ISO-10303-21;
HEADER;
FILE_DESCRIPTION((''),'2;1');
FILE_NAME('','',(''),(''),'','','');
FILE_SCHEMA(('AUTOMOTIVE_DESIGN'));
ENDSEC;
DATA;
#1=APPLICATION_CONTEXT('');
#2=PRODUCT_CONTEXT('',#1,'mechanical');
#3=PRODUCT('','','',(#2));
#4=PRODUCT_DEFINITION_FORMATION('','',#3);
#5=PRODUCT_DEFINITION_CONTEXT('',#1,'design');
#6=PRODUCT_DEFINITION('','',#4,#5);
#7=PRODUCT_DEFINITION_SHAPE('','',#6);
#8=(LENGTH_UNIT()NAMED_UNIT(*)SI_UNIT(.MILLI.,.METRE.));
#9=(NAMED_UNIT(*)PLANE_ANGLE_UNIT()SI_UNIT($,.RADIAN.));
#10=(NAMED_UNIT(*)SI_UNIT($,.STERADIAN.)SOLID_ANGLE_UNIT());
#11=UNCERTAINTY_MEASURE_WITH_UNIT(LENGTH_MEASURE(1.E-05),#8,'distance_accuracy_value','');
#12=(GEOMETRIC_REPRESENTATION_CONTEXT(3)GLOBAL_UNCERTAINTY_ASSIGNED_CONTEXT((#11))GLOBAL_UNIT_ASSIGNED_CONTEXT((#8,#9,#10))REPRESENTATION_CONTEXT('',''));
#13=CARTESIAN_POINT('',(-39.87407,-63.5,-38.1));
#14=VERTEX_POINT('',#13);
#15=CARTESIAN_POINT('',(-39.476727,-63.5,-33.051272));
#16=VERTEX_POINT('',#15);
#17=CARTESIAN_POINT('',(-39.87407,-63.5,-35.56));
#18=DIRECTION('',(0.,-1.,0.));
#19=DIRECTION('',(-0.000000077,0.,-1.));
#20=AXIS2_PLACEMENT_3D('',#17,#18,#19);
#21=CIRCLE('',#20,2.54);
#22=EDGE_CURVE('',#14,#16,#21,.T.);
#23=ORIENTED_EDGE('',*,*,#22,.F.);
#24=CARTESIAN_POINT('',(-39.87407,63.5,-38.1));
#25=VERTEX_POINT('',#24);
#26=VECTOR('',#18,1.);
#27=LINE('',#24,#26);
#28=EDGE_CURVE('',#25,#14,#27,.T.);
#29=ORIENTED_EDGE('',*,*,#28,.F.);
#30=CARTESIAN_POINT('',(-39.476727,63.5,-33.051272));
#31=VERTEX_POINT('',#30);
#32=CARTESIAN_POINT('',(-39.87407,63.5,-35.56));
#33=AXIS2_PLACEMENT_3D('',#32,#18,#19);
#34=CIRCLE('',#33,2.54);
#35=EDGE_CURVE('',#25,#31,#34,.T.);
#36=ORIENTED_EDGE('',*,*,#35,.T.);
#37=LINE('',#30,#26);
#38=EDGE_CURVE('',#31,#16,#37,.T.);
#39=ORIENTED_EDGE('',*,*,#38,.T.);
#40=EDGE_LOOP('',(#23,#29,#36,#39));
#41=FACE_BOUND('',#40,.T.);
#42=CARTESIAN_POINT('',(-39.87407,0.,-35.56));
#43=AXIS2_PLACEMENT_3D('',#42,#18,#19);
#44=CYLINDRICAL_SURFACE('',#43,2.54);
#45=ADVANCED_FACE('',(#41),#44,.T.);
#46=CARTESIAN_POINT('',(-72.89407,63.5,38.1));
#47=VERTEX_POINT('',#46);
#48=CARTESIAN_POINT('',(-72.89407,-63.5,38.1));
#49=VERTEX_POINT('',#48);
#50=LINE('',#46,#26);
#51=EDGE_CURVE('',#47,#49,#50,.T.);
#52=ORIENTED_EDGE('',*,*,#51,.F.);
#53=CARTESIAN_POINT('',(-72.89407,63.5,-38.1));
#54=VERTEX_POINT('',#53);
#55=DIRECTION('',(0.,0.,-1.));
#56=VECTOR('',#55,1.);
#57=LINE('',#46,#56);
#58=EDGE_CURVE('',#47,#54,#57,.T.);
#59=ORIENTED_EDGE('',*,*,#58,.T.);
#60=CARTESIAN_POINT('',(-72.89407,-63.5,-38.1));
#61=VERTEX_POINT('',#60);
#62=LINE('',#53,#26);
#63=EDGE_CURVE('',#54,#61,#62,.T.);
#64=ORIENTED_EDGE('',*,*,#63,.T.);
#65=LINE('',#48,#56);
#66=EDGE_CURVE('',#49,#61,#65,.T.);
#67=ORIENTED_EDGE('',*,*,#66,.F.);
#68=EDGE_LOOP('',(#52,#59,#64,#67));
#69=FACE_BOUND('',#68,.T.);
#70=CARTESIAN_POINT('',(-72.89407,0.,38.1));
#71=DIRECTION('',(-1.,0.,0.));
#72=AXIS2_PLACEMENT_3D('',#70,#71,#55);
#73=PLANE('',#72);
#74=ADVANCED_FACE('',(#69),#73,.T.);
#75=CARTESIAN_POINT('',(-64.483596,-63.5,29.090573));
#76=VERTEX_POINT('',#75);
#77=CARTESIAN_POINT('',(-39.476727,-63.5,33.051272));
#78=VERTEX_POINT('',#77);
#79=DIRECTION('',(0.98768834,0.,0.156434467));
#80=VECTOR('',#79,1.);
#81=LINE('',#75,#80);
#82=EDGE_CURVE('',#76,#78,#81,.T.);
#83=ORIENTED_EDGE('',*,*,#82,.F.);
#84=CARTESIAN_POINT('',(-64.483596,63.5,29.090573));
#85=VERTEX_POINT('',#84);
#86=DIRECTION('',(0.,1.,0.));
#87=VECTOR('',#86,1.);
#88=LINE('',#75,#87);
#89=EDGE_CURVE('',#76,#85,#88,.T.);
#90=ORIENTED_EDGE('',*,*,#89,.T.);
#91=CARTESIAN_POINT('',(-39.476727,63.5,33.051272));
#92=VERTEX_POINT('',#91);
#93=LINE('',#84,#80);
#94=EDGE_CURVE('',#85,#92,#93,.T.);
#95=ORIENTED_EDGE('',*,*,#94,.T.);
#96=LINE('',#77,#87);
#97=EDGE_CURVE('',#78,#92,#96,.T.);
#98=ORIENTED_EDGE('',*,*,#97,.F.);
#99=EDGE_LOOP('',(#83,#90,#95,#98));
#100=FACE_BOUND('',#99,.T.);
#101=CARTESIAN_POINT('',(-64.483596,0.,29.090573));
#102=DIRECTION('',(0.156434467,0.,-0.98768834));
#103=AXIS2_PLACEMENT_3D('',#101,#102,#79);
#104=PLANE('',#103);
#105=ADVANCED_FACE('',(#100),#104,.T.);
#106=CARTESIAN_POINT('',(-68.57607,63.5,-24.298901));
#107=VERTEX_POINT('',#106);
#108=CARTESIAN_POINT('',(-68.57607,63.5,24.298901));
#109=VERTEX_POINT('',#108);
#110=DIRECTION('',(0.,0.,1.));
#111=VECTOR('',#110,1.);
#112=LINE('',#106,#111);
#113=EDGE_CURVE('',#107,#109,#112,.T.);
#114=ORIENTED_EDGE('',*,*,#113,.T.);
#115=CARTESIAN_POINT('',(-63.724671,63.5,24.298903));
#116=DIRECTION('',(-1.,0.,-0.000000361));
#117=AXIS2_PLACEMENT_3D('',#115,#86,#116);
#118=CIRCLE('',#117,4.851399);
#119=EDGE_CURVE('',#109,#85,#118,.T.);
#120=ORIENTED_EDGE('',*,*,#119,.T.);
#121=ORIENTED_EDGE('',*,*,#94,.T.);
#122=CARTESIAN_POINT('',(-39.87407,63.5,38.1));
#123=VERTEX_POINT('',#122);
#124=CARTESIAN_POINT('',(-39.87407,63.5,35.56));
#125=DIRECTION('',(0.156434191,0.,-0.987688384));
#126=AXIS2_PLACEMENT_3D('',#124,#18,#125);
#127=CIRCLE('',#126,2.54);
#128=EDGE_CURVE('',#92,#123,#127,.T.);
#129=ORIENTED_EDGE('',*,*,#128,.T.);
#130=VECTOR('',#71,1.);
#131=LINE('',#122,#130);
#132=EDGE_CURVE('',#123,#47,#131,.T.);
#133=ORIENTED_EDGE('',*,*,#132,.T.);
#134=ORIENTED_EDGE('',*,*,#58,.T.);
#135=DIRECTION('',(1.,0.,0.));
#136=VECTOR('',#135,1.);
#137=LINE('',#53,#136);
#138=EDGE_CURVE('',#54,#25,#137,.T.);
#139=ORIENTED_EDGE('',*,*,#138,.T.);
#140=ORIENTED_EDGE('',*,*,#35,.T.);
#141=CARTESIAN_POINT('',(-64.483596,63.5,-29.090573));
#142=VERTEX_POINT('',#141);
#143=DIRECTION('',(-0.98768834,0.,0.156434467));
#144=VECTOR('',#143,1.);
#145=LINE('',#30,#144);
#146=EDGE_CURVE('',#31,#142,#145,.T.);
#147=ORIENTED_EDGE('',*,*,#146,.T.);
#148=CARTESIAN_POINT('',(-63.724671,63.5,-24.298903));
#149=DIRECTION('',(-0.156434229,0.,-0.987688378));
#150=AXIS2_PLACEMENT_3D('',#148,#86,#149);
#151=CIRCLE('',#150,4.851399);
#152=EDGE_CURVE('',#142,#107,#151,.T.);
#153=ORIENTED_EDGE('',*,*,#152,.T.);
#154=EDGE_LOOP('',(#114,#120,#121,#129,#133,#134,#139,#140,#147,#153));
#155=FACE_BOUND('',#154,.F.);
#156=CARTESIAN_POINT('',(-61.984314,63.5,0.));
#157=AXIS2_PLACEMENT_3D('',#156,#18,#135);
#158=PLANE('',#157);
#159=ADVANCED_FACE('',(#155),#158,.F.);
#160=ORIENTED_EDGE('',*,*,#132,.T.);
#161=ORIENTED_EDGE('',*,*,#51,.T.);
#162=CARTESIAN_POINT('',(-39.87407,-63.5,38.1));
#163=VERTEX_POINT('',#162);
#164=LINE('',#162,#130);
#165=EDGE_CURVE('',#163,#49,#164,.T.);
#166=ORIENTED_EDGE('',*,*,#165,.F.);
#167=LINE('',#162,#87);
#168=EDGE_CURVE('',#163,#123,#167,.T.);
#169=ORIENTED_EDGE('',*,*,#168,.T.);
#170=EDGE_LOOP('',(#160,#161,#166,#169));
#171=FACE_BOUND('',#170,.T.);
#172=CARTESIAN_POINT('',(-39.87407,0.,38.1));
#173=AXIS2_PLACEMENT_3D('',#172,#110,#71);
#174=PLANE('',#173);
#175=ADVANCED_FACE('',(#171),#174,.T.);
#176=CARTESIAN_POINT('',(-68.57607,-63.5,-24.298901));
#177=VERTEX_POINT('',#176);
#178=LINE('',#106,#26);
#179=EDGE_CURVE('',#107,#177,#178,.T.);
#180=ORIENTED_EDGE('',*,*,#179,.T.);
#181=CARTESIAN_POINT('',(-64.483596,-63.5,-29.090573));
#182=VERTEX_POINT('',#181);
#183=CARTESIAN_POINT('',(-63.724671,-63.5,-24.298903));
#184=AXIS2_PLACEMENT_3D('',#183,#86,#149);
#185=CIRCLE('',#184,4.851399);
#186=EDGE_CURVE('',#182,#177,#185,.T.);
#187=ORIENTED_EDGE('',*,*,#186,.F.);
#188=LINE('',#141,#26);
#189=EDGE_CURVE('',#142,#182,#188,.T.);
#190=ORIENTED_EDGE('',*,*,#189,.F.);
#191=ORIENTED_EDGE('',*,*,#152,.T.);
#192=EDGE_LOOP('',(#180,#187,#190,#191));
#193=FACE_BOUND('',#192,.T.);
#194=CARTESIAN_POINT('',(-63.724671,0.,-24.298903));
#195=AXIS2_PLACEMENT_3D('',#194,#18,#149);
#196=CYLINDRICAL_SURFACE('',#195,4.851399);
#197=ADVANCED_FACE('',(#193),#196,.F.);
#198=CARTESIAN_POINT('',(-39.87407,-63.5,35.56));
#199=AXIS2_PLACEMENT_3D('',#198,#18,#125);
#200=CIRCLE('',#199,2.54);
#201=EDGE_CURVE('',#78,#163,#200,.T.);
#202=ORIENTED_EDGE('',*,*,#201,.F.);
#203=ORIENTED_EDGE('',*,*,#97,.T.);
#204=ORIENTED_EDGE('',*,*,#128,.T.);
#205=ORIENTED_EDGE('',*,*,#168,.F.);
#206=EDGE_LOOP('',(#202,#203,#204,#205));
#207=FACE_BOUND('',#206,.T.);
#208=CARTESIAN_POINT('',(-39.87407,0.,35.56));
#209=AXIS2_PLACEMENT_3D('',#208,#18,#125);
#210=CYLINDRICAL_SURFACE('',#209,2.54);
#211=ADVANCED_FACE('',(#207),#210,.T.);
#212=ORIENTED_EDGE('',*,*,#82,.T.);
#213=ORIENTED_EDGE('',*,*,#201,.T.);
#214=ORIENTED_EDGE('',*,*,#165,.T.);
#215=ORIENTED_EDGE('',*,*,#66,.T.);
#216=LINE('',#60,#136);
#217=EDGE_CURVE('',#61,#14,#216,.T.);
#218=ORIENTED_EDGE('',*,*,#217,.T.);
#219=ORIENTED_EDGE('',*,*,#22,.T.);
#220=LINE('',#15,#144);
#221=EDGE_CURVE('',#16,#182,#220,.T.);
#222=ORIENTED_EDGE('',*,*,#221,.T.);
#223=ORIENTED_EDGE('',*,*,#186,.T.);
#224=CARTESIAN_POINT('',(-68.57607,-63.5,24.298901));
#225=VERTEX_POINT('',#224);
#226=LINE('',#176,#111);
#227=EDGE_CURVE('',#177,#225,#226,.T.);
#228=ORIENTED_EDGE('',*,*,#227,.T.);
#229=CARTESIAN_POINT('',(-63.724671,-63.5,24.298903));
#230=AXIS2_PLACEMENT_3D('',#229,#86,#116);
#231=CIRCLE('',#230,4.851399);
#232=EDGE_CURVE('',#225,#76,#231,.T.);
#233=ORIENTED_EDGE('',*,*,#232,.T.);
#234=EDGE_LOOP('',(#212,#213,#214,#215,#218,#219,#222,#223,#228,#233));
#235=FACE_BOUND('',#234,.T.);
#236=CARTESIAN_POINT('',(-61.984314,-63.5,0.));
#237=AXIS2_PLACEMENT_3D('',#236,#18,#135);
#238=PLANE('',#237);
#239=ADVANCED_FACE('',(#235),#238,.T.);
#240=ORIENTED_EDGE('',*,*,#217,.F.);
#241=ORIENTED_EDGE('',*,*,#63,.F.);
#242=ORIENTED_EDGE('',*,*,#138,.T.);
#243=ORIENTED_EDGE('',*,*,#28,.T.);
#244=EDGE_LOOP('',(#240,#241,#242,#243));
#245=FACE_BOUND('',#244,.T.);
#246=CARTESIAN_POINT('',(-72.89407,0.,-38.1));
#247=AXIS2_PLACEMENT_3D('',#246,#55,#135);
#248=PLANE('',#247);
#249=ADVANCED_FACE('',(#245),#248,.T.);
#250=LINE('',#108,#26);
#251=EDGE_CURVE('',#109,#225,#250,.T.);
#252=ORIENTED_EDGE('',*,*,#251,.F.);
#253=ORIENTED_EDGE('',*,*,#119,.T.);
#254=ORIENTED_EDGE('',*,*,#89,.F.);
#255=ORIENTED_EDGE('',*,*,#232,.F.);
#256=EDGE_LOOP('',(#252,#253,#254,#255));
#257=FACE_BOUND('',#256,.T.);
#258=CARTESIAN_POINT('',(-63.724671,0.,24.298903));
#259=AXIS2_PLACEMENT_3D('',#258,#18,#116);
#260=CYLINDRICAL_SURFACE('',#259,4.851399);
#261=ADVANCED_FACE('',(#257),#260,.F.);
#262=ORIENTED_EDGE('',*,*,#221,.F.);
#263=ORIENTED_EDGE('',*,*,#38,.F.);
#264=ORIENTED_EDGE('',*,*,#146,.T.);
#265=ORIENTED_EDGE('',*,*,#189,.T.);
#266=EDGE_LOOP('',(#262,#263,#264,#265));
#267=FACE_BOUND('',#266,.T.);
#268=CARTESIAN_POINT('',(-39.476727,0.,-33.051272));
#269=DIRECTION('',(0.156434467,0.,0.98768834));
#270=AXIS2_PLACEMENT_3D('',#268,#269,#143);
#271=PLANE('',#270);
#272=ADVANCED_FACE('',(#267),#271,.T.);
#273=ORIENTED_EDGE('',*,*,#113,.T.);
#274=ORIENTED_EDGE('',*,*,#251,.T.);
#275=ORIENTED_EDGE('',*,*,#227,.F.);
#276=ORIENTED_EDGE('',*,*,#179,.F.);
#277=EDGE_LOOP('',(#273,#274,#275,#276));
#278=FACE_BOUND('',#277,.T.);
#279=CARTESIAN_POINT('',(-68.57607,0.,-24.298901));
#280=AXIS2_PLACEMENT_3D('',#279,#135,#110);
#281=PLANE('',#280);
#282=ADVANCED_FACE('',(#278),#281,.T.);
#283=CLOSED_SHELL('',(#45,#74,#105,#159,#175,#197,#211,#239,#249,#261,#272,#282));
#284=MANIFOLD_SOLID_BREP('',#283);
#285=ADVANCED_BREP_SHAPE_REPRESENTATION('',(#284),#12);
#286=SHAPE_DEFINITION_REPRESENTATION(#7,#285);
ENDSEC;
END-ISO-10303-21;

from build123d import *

# Parameters (mm, degrees)
F1_DEPTH = 63.5


with BuildPart() as f1:
    # F0 (on Front) → F1 (new body, symmetric)
    with BuildSketch(Plane.XZ):
        with BuildLine():
            Line((-39.87407, 38.1), (-72.89407, 38.1))
            Line((-72.89407, 38.1), (-72.89407, 0))
            Line((-72.89407, 0), (-72.89407, -38.1))
            Line((-72.89407, -38.1), (-39.87407, -38.1))
            ThreePointArc((-39.87407, -38.1), (-37.3419, -35.759286), (-39.476727, -33.051272))
            Line((-39.476727, -33.051272), (-64.483596, -29.090573))
            ThreePointArc((-64.483596, -29.090573), (-67.413704, -27.449634), (-68.57607, -24.298901))
            Line((-68.57607, -24.298901), (-68.57607, 0))
            Line((-68.57607, 0), (-68.57607, 24.298901))
            ThreePointArc((-68.57607, 24.298901), (-67.413704, 27.449634), (-64.483596, 29.090573))
            Line((-64.483596, 29.090573), (-39.476727, 33.051272))
            ThreePointArc((-39.476727, 33.051272), (-37.3419, 35.759286), (-39.87407, 38.1))
        make_face()
    extrude(amount=F1_DEPTH, both=True)


solid = f1.part
